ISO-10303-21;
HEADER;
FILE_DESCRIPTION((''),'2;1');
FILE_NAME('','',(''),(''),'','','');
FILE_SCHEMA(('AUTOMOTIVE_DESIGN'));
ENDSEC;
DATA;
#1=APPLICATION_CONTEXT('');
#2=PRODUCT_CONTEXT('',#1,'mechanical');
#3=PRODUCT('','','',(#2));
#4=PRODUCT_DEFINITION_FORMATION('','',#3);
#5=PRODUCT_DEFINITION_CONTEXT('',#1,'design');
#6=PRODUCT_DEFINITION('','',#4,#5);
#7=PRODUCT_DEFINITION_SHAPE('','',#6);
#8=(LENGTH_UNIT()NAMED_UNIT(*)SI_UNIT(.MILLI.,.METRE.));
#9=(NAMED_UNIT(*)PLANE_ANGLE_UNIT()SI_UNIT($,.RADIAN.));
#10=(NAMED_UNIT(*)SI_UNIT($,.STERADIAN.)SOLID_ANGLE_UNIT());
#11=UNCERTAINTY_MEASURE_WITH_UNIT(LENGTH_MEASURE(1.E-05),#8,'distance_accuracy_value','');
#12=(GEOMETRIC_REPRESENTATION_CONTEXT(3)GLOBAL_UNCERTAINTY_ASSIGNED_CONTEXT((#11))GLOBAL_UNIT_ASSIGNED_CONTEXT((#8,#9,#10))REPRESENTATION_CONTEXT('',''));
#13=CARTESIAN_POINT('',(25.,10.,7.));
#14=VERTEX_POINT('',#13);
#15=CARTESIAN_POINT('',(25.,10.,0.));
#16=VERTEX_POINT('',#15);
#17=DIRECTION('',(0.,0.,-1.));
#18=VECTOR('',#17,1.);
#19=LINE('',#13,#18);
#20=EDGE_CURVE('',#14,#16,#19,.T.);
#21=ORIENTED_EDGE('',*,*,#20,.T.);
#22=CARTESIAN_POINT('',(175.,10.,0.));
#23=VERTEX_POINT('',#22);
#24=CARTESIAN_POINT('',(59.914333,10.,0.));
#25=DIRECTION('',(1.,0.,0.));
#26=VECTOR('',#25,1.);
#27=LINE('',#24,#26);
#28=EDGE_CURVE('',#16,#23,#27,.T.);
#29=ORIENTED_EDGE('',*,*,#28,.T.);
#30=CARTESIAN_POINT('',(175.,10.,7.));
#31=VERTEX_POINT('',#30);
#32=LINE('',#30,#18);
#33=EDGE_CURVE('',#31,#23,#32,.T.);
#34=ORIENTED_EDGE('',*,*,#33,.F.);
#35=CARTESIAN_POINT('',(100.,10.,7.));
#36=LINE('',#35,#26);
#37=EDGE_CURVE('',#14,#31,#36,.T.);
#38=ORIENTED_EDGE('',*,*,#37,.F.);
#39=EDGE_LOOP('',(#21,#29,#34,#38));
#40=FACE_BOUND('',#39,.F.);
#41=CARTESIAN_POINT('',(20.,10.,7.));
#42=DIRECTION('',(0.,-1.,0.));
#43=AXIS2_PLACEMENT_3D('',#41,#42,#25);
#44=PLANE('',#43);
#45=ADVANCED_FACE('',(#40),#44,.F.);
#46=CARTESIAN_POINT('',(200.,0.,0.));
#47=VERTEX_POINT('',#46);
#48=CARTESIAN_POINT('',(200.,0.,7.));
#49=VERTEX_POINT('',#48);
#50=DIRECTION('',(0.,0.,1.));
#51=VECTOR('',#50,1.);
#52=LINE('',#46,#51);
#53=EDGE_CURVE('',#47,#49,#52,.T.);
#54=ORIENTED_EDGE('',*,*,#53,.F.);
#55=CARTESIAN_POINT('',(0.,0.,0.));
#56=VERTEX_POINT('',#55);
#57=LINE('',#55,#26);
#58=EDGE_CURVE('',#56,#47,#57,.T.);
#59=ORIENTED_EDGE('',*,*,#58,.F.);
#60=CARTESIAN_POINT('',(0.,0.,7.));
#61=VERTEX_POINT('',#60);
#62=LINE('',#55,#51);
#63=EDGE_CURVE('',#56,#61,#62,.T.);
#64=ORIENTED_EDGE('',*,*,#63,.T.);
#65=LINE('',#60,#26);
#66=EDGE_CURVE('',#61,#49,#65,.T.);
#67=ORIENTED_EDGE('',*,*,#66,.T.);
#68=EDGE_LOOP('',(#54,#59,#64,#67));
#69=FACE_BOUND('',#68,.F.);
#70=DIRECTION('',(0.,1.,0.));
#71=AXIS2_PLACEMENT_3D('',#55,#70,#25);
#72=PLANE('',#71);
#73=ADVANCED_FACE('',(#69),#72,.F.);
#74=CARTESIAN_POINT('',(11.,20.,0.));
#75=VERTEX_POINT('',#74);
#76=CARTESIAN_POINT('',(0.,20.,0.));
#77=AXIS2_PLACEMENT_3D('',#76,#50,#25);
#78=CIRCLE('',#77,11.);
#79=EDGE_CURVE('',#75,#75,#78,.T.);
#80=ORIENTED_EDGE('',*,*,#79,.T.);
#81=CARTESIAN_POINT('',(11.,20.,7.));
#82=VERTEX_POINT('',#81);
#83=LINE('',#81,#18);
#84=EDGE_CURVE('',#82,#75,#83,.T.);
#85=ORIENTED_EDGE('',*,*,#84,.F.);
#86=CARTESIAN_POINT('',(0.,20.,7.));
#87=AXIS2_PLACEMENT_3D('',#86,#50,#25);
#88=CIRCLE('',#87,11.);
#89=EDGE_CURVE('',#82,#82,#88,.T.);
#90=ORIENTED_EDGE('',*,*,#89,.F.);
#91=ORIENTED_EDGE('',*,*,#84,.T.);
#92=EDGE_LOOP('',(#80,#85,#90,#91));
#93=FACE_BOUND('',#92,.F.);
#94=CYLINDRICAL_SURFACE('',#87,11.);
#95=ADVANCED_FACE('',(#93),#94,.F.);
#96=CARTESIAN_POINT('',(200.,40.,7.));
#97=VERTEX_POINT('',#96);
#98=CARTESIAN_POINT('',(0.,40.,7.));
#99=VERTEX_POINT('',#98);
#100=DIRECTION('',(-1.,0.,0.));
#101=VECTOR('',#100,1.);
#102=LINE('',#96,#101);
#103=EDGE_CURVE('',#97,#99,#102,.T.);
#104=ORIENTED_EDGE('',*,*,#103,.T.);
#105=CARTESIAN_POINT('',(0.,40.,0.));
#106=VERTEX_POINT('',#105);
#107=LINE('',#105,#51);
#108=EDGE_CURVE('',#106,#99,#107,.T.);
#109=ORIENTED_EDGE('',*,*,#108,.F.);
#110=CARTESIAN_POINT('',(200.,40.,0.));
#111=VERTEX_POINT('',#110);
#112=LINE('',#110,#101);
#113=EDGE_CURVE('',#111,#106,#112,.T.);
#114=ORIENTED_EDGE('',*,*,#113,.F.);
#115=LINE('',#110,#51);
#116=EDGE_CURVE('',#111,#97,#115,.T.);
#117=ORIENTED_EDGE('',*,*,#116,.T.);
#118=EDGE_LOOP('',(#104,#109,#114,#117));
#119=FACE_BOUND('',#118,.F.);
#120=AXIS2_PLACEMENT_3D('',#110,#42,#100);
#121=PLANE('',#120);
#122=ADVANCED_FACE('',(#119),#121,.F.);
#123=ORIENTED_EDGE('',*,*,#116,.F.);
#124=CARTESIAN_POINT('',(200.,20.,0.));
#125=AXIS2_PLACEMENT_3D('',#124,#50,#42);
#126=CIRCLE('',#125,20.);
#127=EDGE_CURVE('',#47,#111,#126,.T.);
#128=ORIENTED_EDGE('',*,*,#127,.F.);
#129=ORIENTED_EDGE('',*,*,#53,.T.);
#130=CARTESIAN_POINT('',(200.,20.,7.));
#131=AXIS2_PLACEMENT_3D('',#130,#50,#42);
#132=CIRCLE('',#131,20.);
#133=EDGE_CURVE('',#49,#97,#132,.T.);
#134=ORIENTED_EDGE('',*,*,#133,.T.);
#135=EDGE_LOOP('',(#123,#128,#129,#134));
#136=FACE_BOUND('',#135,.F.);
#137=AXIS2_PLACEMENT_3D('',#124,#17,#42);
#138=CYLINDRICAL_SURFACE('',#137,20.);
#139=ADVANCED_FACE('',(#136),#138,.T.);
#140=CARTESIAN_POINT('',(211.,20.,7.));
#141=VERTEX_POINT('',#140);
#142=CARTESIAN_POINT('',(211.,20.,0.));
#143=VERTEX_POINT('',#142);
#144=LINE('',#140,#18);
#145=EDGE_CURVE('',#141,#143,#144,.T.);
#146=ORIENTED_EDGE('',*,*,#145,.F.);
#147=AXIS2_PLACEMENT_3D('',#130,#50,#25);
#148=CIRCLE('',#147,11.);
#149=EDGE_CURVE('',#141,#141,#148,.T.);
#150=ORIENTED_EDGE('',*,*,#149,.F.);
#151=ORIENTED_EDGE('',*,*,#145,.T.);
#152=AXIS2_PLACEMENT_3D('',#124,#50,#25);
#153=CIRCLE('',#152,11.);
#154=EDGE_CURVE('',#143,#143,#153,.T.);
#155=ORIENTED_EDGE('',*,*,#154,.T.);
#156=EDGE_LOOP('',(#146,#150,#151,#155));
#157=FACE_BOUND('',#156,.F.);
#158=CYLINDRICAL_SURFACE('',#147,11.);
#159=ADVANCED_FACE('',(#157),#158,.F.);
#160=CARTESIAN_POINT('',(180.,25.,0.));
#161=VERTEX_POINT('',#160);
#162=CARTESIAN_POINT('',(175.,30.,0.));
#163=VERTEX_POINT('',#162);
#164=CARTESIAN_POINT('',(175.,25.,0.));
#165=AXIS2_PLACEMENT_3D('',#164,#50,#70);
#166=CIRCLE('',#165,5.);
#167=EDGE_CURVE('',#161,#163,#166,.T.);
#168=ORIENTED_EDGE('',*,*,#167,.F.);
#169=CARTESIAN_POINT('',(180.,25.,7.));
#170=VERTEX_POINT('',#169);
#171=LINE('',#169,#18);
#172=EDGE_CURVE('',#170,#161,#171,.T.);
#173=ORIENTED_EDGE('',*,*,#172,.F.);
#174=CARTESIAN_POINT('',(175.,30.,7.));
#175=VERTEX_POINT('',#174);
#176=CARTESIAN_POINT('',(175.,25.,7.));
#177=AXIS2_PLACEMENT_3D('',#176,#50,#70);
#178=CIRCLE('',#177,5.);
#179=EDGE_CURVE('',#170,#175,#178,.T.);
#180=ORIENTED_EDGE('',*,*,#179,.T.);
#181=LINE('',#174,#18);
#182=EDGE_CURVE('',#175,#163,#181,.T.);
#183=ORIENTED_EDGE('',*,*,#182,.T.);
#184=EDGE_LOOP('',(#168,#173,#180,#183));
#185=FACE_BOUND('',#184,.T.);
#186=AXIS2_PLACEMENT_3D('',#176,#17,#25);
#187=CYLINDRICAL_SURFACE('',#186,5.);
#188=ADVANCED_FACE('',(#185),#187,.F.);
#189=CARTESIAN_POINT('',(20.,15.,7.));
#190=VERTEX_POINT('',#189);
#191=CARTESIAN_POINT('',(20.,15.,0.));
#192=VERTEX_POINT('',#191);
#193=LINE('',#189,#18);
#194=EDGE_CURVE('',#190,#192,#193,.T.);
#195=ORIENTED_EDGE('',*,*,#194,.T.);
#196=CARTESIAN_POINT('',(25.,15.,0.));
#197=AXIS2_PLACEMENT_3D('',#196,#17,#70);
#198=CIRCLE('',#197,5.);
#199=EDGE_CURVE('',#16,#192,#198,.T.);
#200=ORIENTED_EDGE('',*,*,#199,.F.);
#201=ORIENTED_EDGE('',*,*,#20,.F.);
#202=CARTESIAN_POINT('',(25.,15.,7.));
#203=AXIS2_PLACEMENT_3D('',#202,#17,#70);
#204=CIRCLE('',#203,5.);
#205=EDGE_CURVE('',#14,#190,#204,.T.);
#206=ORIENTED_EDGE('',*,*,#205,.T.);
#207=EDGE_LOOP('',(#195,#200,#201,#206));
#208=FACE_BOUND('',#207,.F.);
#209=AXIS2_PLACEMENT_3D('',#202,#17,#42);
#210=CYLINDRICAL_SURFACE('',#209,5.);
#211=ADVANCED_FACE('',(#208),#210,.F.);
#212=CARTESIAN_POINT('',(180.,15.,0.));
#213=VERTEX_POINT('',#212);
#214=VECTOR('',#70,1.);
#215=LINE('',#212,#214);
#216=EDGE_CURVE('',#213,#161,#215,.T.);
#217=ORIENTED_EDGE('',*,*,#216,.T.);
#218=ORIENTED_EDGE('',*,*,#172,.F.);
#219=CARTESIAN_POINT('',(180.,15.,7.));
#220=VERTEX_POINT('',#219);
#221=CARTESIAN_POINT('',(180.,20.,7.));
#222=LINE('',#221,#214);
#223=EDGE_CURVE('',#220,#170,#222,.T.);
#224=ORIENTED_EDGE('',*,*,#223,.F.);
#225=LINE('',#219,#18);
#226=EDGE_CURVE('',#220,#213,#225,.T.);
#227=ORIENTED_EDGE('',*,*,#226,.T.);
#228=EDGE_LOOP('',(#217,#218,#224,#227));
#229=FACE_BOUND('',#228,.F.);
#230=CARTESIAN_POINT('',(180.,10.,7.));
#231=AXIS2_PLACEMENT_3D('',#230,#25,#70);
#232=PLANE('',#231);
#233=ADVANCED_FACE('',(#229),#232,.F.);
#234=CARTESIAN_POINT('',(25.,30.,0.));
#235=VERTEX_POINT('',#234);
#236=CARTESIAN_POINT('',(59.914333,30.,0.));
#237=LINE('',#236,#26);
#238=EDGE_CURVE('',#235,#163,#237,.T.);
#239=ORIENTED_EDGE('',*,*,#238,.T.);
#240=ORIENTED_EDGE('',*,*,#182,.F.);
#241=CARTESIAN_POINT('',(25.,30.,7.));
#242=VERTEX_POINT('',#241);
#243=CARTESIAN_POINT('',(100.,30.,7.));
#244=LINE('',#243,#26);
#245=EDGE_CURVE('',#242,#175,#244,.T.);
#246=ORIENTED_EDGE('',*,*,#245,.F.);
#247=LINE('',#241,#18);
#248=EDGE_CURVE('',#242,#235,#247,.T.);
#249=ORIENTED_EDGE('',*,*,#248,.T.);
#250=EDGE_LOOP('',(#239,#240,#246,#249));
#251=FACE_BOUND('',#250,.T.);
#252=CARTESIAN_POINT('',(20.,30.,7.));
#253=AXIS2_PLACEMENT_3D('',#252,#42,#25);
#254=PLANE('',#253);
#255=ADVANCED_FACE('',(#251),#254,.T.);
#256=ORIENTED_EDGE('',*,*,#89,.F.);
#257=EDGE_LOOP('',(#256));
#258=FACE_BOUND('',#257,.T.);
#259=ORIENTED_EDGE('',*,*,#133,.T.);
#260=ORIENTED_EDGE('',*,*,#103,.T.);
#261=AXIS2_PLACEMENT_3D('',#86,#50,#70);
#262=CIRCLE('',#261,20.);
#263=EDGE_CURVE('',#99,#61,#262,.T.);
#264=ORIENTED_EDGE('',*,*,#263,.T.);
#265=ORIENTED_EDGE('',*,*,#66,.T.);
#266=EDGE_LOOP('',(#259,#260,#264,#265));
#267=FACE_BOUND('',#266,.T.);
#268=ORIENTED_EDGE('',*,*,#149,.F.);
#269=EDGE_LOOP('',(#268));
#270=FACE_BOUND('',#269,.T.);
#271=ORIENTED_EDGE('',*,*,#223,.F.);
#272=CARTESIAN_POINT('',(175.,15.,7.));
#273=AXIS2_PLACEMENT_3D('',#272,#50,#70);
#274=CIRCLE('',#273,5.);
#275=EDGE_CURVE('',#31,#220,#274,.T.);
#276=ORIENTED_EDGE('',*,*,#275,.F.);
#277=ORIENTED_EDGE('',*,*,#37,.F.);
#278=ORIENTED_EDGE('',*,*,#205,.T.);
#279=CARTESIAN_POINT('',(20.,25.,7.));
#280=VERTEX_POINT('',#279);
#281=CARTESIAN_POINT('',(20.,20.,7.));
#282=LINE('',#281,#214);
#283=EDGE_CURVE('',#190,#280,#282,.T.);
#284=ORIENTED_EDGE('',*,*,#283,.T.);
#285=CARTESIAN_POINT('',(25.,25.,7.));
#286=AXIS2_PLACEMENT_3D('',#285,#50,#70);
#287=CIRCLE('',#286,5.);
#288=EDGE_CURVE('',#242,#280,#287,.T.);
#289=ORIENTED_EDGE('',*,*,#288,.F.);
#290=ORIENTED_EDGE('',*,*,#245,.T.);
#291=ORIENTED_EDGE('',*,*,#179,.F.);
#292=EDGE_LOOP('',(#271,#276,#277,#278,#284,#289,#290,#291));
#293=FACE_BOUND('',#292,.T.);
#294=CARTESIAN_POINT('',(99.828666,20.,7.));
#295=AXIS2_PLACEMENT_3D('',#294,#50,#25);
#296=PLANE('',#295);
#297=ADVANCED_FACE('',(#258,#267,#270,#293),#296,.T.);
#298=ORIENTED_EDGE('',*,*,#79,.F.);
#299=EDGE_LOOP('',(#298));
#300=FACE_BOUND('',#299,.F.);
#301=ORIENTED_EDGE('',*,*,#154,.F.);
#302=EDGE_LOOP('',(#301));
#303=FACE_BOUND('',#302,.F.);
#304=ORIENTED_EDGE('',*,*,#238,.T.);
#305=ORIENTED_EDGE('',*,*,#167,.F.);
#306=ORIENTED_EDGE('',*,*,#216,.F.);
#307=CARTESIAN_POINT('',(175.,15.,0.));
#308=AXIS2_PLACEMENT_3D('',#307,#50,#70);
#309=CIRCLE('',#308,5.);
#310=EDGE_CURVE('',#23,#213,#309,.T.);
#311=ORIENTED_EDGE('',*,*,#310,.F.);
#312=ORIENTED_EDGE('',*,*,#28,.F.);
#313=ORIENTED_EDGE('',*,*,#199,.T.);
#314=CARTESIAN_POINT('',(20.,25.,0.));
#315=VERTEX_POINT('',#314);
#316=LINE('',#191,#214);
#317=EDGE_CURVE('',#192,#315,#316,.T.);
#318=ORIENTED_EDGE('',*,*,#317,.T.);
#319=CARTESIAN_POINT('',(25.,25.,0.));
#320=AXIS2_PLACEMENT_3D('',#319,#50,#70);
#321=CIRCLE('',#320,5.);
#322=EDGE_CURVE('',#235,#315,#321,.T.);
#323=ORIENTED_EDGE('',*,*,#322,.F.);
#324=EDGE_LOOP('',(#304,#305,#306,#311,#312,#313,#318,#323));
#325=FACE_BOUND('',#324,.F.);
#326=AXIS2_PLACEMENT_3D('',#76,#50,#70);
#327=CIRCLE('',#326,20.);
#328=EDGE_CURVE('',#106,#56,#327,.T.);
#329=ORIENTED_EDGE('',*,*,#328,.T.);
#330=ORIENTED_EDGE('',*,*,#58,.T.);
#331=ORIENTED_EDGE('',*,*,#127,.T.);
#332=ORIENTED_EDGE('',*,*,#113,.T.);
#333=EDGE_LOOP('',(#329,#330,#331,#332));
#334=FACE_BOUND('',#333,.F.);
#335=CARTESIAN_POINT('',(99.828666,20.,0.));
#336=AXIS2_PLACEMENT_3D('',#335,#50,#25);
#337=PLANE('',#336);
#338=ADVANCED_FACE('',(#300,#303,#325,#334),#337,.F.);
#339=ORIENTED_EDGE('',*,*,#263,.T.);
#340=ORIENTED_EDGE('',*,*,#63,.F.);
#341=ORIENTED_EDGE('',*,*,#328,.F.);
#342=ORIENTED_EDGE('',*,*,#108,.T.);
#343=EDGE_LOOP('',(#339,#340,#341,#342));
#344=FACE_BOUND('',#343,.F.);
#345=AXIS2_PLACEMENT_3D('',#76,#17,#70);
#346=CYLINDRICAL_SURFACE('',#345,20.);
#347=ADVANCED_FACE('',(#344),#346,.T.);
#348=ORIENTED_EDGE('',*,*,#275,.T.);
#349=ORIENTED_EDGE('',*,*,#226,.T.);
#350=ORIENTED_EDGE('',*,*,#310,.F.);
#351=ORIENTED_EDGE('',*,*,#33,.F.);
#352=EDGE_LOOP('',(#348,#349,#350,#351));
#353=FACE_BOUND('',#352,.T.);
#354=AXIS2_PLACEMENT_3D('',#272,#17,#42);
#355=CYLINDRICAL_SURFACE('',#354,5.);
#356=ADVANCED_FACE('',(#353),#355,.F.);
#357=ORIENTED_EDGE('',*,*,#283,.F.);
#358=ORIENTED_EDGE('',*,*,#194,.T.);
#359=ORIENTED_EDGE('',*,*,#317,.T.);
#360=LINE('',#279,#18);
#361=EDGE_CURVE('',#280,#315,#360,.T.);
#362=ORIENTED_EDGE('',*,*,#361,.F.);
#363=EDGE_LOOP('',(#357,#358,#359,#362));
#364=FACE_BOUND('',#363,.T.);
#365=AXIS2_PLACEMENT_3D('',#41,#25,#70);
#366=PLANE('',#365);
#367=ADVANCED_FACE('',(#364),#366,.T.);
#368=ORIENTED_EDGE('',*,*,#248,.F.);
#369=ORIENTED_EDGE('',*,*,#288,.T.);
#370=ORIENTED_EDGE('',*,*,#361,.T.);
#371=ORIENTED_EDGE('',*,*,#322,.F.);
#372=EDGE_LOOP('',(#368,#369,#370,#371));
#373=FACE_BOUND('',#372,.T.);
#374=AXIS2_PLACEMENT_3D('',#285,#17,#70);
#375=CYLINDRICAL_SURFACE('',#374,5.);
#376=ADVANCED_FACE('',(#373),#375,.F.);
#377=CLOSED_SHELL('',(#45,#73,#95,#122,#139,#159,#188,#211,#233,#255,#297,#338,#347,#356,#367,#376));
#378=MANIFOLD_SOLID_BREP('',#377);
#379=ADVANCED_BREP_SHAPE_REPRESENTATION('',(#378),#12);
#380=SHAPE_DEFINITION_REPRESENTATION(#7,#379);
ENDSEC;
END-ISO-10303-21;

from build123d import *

# Parameters (mm, degrees)
F1_DEPTH = 7
F2_R     = 11
F2_R_2   = 10
F3_DEPTH = 7
F4_W     = 160
F4_H     = 20
F5_DEPTH = 7.001
F6_R     = 5


with BuildPart() as f1:
    # F0 (on Top) → F1 (new body)
    with BuildSketch(Plane.XY):
        with BuildLine():
            Line((0, 10), (0, 0))
            Line((0, 0), (200, 0))
            Line((200, 0), (200, 10))
            ThreePointArc((200, 10), (190, 20), (200, 30))
            Line((200, 30), (200, 40))
            Line((200, 40), (0, 40))
            Line((0, 40), (0, 30))
            ThreePointArc((0, 30), (7.071068, 27.071068), (10, 20))
            ThreePointArc((10, 20), (7.071068, 12.928932), (0, 10))
        make_face()
        with BuildLine():
            ThreePointArc((0, 40), (-20, 20), (0, 0))
            Line((0, 0), (0, 10))
            ThreePointArc((0, 10), (-10, 20), (0, 30))
            Line((0, 30), (0, 40))
        make_face()
        with BuildLine():
            Line((200, 10), (200, 0))
            ThreePointArc((200, 0), (220, 20), (200, 40))
            Line((200, 40), (200, 30))
            ThreePointArc((200, 30), (207.071068, 27.071068), (210, 20))
            ThreePointArc((210, 20), (207.071068, 12.928932), (200, 10))
        make_face()
    extrude(amount=F1_DEPTH)

    # F2 (on face) → F3 (cut)
    with BuildSketch(Plane.XY.offset(7)):
        with Locations((0, 20)):
            Circle(F2_R)
        with Locations((0, 20)):
            Circle(F2_R_2, mode=Mode.SUBTRACT)
        with Locations((200, 20)):
            Circle(F2_R)
        with Locations((200, 20)):
            Circle(F2_R_2, mode=Mode.SUBTRACT)
    extrude(amount=-F3_DEPTH, mode=Mode.SUBTRACT)

    # F4 (on face) → F5 (cut, through all)
    with BuildSketch(Plane.XY.offset(7)):
        with Locations((100, 20)):
            Rectangle(F4_W, F4_H)
    extrude(amount=-F5_DEPTH, mode=Mode.SUBTRACT)

    # F6
    f6_edges = [f1.edges().sort_by_distance(p)[0] for p in [
        (20, 30, 3.5),
        (180, 30, 3.5),
        (180, 10, 3.5),
        (20, 10, 3.5),
    ]]
    fillet(f6_edges, radius=F6_R)


solid = f1.part
